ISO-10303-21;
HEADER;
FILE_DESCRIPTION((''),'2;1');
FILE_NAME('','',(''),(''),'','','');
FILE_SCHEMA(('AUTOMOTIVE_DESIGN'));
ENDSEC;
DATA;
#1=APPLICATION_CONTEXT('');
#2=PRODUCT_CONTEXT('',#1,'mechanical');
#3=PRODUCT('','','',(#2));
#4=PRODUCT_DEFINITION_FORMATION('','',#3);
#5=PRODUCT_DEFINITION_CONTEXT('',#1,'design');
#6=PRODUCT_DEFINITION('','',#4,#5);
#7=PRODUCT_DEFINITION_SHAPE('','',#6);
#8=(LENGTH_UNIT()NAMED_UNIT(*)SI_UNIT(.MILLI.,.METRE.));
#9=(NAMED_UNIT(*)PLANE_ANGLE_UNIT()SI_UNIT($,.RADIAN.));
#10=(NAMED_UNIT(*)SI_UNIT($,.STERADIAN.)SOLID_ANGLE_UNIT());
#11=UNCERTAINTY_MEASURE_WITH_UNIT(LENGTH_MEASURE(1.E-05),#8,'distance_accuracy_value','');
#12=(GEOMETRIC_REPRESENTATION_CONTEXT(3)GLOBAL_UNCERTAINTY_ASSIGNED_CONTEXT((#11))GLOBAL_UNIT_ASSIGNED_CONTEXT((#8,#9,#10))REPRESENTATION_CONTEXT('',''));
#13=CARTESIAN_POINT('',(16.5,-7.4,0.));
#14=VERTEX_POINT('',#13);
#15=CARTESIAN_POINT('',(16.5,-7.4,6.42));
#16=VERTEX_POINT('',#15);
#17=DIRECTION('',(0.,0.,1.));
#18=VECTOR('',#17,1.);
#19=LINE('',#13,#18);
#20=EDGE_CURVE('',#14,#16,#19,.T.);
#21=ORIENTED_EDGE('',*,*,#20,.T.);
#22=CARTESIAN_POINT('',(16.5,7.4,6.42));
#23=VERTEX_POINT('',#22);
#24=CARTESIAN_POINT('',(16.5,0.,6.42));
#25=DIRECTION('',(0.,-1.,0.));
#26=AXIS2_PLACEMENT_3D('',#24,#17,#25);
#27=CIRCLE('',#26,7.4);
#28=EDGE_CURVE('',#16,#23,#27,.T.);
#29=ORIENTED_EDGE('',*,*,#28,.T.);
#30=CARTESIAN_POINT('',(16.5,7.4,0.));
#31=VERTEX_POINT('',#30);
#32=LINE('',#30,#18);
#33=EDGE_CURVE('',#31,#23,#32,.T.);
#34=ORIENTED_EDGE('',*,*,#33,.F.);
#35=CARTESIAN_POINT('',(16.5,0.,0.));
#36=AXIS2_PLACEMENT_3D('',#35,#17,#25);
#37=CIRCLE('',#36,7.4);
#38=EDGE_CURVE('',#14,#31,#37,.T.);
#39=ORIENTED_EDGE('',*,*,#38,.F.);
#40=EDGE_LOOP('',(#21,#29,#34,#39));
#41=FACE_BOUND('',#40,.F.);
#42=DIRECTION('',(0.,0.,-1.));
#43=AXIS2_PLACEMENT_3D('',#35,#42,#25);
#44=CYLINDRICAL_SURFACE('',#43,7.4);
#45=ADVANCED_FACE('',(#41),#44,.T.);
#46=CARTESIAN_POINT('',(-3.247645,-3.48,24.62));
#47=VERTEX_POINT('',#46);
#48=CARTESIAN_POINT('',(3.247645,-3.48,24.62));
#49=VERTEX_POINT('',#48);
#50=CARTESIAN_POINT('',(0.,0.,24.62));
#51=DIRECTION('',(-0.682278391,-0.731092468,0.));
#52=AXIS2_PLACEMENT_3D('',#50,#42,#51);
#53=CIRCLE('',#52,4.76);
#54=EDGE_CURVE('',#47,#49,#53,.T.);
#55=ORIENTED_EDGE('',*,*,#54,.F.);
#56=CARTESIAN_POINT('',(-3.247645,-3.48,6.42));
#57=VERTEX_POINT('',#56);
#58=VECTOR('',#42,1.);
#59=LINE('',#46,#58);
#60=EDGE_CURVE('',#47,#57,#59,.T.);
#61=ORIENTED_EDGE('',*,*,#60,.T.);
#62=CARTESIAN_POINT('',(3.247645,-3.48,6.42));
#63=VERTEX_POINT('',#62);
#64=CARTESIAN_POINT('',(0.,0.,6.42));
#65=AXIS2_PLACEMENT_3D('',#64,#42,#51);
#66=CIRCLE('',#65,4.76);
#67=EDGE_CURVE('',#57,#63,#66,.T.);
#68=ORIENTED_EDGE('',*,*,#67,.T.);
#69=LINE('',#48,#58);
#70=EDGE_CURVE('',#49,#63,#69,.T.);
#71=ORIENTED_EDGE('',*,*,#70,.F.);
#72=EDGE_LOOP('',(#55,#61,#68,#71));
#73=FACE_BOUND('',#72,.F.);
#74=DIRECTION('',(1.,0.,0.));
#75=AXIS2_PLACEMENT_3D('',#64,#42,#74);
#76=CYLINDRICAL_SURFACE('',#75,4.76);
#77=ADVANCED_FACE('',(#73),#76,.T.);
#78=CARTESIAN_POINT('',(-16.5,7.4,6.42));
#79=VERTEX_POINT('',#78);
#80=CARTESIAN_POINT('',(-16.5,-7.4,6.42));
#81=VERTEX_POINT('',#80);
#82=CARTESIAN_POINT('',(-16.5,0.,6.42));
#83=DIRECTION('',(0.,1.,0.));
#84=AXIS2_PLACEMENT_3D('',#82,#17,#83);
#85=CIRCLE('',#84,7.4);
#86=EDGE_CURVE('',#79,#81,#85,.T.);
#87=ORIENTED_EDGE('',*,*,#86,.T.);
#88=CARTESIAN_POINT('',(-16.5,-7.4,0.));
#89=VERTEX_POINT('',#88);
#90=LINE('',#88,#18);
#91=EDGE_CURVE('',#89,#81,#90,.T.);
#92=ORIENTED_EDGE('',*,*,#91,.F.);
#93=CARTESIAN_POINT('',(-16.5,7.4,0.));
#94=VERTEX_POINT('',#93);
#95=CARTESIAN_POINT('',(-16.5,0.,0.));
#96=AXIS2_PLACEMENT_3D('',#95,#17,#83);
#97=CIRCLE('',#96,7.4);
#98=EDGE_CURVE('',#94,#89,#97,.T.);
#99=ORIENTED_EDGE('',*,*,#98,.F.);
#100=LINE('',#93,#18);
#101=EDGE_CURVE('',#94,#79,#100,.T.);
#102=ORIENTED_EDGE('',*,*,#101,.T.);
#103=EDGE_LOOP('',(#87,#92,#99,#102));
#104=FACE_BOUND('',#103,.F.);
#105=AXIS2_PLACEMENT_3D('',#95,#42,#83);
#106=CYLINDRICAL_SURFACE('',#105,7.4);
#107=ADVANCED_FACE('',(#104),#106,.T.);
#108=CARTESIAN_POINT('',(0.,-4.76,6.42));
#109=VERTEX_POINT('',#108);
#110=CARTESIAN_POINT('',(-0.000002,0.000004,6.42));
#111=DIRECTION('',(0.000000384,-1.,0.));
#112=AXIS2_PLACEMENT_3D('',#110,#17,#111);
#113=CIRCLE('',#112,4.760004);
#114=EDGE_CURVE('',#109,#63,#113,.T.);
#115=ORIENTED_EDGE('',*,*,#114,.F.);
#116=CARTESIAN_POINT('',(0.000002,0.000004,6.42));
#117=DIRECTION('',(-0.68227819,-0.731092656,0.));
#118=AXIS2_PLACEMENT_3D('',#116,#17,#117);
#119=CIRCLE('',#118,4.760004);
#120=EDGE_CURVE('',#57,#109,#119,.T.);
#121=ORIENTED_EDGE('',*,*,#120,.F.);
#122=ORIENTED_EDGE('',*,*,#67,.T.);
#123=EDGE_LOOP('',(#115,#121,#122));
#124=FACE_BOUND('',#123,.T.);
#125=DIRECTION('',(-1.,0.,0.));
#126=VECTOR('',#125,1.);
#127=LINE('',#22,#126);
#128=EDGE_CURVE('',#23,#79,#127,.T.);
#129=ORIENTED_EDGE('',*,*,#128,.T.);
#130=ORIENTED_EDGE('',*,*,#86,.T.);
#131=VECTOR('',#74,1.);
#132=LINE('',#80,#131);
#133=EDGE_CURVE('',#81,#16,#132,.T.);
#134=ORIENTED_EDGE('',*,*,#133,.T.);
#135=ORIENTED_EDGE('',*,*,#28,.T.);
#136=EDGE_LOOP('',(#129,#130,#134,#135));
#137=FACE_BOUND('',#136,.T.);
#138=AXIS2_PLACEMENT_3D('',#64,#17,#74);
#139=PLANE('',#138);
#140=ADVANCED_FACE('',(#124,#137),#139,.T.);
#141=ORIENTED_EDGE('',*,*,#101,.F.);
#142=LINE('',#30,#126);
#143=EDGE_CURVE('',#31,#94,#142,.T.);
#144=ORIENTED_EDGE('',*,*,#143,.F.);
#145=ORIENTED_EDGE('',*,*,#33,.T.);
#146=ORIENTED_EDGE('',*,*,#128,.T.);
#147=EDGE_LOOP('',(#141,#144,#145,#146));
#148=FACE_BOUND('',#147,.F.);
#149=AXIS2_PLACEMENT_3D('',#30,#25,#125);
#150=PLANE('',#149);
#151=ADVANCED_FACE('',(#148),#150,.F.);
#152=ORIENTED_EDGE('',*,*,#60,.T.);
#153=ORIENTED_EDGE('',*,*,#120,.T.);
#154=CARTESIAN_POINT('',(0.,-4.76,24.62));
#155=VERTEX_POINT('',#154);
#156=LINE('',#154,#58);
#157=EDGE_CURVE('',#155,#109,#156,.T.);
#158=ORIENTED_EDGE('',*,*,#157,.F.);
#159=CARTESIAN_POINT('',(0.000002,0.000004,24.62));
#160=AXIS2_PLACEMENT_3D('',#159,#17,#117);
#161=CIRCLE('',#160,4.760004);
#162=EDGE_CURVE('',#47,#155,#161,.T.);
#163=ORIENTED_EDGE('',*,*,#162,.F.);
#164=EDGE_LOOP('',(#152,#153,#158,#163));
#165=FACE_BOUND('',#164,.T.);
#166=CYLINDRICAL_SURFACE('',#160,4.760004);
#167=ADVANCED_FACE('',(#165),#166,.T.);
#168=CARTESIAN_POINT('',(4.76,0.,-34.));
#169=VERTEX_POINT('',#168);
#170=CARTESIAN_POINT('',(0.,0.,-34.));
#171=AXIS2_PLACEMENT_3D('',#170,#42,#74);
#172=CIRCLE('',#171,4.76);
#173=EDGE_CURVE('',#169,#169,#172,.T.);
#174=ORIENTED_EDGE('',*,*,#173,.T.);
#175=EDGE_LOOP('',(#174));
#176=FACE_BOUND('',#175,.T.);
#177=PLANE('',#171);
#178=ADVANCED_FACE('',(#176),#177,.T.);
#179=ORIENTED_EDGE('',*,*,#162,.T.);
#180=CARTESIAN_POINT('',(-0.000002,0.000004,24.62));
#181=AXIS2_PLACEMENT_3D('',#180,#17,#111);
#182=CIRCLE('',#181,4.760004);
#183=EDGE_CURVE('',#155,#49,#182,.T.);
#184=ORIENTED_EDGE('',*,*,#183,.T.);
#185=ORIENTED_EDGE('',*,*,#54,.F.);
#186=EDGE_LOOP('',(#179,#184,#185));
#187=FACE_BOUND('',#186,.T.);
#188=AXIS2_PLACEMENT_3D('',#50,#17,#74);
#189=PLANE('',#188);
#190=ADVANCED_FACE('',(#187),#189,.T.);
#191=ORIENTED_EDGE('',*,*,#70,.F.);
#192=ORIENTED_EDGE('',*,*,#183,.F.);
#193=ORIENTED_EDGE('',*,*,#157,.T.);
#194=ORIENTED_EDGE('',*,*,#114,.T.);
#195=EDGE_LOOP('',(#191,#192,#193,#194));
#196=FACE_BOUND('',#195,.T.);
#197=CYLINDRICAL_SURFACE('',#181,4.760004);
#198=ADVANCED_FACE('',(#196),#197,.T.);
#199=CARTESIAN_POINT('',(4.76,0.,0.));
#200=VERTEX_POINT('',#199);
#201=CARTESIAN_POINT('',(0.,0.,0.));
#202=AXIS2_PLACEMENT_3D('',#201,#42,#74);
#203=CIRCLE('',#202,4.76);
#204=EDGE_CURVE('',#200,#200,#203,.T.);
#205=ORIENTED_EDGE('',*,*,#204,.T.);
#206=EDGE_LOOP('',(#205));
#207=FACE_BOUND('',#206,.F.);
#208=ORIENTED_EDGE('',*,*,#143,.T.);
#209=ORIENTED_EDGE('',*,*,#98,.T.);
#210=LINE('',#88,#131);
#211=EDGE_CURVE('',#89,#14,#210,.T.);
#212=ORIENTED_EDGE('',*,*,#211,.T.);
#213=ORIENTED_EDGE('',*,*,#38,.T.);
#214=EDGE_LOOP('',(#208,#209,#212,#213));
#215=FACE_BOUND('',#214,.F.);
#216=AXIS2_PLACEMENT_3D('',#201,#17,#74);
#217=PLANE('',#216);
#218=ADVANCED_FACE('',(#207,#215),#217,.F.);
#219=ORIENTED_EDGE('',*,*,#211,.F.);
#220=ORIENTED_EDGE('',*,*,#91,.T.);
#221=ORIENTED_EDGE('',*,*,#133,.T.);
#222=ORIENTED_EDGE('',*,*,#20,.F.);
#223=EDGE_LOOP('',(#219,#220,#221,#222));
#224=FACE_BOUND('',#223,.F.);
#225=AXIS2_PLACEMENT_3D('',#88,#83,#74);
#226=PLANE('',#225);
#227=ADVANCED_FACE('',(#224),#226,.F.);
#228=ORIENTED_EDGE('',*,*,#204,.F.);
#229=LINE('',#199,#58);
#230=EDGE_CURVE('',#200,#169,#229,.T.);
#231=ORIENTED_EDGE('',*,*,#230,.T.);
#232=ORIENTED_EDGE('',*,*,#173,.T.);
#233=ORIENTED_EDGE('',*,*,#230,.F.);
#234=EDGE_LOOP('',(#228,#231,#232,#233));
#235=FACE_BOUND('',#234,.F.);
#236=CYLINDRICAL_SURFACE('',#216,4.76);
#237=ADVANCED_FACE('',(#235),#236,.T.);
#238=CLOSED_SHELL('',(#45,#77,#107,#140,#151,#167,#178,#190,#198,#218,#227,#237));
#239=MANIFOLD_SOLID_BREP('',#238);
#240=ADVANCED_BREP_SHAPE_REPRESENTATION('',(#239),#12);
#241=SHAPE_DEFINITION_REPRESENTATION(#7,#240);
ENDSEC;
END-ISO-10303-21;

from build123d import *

# Parameters (mm, degrees)
F1_DEPTH = 6.42
F2_R     = 4.76
F3_DEPTH = 34
F4_R     = 4.76
F5_DEPTH = 18.2
F7_DEPTH = 18.2


with BuildPart() as f1:
    # F0 (on Top) → F1 (new body)
    with BuildSketch(Plane.XY):
        with BuildLine():
            Line((16.5, 7.4), (-16.5, 7.4))
            ThreePointArc((-16.5, 7.4), (-23.9, 0), (-16.5, -7.4))
            Line((-16.5, -7.4), (16.5, -7.4))
            ThreePointArc((16.5, -7.4), (23.9, 0), (16.5, 7.4))
        make_face()
    extrude(amount=F1_DEPTH)

    # F2 (on face) → F3 (join)
    with BuildSketch(Plane(origin=(0, 0, 0), x_dir=(1, 0, 0), z_dir=(0, 0, -1))):
        Circle(F2_R)
    extrude(amount=F3_DEPTH)

    # F4 (on face) → F5 (join)
    with BuildSketch(Plane.XY.offset(6.42)):
        Circle(F4_R)
    extrude(amount=F5_DEPTH)

    # F6 (on face) → F7 (join)
    with BuildSketch(Plane.XY.offset(24.62)):
        with BuildLine():
            ThreePointArc((-3.247645, -3.48), (-1.745394, -4.428453), (0, -4.76))
            Line((0, -4.76), (0, -3.48))
            Line((0, -3.48), (-3.247645, -3.48))
        make_face()
        with BuildLine():
            Line((0, -3.48), (0, -4.76))
            ThreePointArc((0, -4.76), (1.745394, -4.428453), (3.247645, -3.48))
            Line((3.247645, -3.48), (0, -3.48))
        make_face()
    extrude(amount=-F7_DEPTH)


solid = f1.part
